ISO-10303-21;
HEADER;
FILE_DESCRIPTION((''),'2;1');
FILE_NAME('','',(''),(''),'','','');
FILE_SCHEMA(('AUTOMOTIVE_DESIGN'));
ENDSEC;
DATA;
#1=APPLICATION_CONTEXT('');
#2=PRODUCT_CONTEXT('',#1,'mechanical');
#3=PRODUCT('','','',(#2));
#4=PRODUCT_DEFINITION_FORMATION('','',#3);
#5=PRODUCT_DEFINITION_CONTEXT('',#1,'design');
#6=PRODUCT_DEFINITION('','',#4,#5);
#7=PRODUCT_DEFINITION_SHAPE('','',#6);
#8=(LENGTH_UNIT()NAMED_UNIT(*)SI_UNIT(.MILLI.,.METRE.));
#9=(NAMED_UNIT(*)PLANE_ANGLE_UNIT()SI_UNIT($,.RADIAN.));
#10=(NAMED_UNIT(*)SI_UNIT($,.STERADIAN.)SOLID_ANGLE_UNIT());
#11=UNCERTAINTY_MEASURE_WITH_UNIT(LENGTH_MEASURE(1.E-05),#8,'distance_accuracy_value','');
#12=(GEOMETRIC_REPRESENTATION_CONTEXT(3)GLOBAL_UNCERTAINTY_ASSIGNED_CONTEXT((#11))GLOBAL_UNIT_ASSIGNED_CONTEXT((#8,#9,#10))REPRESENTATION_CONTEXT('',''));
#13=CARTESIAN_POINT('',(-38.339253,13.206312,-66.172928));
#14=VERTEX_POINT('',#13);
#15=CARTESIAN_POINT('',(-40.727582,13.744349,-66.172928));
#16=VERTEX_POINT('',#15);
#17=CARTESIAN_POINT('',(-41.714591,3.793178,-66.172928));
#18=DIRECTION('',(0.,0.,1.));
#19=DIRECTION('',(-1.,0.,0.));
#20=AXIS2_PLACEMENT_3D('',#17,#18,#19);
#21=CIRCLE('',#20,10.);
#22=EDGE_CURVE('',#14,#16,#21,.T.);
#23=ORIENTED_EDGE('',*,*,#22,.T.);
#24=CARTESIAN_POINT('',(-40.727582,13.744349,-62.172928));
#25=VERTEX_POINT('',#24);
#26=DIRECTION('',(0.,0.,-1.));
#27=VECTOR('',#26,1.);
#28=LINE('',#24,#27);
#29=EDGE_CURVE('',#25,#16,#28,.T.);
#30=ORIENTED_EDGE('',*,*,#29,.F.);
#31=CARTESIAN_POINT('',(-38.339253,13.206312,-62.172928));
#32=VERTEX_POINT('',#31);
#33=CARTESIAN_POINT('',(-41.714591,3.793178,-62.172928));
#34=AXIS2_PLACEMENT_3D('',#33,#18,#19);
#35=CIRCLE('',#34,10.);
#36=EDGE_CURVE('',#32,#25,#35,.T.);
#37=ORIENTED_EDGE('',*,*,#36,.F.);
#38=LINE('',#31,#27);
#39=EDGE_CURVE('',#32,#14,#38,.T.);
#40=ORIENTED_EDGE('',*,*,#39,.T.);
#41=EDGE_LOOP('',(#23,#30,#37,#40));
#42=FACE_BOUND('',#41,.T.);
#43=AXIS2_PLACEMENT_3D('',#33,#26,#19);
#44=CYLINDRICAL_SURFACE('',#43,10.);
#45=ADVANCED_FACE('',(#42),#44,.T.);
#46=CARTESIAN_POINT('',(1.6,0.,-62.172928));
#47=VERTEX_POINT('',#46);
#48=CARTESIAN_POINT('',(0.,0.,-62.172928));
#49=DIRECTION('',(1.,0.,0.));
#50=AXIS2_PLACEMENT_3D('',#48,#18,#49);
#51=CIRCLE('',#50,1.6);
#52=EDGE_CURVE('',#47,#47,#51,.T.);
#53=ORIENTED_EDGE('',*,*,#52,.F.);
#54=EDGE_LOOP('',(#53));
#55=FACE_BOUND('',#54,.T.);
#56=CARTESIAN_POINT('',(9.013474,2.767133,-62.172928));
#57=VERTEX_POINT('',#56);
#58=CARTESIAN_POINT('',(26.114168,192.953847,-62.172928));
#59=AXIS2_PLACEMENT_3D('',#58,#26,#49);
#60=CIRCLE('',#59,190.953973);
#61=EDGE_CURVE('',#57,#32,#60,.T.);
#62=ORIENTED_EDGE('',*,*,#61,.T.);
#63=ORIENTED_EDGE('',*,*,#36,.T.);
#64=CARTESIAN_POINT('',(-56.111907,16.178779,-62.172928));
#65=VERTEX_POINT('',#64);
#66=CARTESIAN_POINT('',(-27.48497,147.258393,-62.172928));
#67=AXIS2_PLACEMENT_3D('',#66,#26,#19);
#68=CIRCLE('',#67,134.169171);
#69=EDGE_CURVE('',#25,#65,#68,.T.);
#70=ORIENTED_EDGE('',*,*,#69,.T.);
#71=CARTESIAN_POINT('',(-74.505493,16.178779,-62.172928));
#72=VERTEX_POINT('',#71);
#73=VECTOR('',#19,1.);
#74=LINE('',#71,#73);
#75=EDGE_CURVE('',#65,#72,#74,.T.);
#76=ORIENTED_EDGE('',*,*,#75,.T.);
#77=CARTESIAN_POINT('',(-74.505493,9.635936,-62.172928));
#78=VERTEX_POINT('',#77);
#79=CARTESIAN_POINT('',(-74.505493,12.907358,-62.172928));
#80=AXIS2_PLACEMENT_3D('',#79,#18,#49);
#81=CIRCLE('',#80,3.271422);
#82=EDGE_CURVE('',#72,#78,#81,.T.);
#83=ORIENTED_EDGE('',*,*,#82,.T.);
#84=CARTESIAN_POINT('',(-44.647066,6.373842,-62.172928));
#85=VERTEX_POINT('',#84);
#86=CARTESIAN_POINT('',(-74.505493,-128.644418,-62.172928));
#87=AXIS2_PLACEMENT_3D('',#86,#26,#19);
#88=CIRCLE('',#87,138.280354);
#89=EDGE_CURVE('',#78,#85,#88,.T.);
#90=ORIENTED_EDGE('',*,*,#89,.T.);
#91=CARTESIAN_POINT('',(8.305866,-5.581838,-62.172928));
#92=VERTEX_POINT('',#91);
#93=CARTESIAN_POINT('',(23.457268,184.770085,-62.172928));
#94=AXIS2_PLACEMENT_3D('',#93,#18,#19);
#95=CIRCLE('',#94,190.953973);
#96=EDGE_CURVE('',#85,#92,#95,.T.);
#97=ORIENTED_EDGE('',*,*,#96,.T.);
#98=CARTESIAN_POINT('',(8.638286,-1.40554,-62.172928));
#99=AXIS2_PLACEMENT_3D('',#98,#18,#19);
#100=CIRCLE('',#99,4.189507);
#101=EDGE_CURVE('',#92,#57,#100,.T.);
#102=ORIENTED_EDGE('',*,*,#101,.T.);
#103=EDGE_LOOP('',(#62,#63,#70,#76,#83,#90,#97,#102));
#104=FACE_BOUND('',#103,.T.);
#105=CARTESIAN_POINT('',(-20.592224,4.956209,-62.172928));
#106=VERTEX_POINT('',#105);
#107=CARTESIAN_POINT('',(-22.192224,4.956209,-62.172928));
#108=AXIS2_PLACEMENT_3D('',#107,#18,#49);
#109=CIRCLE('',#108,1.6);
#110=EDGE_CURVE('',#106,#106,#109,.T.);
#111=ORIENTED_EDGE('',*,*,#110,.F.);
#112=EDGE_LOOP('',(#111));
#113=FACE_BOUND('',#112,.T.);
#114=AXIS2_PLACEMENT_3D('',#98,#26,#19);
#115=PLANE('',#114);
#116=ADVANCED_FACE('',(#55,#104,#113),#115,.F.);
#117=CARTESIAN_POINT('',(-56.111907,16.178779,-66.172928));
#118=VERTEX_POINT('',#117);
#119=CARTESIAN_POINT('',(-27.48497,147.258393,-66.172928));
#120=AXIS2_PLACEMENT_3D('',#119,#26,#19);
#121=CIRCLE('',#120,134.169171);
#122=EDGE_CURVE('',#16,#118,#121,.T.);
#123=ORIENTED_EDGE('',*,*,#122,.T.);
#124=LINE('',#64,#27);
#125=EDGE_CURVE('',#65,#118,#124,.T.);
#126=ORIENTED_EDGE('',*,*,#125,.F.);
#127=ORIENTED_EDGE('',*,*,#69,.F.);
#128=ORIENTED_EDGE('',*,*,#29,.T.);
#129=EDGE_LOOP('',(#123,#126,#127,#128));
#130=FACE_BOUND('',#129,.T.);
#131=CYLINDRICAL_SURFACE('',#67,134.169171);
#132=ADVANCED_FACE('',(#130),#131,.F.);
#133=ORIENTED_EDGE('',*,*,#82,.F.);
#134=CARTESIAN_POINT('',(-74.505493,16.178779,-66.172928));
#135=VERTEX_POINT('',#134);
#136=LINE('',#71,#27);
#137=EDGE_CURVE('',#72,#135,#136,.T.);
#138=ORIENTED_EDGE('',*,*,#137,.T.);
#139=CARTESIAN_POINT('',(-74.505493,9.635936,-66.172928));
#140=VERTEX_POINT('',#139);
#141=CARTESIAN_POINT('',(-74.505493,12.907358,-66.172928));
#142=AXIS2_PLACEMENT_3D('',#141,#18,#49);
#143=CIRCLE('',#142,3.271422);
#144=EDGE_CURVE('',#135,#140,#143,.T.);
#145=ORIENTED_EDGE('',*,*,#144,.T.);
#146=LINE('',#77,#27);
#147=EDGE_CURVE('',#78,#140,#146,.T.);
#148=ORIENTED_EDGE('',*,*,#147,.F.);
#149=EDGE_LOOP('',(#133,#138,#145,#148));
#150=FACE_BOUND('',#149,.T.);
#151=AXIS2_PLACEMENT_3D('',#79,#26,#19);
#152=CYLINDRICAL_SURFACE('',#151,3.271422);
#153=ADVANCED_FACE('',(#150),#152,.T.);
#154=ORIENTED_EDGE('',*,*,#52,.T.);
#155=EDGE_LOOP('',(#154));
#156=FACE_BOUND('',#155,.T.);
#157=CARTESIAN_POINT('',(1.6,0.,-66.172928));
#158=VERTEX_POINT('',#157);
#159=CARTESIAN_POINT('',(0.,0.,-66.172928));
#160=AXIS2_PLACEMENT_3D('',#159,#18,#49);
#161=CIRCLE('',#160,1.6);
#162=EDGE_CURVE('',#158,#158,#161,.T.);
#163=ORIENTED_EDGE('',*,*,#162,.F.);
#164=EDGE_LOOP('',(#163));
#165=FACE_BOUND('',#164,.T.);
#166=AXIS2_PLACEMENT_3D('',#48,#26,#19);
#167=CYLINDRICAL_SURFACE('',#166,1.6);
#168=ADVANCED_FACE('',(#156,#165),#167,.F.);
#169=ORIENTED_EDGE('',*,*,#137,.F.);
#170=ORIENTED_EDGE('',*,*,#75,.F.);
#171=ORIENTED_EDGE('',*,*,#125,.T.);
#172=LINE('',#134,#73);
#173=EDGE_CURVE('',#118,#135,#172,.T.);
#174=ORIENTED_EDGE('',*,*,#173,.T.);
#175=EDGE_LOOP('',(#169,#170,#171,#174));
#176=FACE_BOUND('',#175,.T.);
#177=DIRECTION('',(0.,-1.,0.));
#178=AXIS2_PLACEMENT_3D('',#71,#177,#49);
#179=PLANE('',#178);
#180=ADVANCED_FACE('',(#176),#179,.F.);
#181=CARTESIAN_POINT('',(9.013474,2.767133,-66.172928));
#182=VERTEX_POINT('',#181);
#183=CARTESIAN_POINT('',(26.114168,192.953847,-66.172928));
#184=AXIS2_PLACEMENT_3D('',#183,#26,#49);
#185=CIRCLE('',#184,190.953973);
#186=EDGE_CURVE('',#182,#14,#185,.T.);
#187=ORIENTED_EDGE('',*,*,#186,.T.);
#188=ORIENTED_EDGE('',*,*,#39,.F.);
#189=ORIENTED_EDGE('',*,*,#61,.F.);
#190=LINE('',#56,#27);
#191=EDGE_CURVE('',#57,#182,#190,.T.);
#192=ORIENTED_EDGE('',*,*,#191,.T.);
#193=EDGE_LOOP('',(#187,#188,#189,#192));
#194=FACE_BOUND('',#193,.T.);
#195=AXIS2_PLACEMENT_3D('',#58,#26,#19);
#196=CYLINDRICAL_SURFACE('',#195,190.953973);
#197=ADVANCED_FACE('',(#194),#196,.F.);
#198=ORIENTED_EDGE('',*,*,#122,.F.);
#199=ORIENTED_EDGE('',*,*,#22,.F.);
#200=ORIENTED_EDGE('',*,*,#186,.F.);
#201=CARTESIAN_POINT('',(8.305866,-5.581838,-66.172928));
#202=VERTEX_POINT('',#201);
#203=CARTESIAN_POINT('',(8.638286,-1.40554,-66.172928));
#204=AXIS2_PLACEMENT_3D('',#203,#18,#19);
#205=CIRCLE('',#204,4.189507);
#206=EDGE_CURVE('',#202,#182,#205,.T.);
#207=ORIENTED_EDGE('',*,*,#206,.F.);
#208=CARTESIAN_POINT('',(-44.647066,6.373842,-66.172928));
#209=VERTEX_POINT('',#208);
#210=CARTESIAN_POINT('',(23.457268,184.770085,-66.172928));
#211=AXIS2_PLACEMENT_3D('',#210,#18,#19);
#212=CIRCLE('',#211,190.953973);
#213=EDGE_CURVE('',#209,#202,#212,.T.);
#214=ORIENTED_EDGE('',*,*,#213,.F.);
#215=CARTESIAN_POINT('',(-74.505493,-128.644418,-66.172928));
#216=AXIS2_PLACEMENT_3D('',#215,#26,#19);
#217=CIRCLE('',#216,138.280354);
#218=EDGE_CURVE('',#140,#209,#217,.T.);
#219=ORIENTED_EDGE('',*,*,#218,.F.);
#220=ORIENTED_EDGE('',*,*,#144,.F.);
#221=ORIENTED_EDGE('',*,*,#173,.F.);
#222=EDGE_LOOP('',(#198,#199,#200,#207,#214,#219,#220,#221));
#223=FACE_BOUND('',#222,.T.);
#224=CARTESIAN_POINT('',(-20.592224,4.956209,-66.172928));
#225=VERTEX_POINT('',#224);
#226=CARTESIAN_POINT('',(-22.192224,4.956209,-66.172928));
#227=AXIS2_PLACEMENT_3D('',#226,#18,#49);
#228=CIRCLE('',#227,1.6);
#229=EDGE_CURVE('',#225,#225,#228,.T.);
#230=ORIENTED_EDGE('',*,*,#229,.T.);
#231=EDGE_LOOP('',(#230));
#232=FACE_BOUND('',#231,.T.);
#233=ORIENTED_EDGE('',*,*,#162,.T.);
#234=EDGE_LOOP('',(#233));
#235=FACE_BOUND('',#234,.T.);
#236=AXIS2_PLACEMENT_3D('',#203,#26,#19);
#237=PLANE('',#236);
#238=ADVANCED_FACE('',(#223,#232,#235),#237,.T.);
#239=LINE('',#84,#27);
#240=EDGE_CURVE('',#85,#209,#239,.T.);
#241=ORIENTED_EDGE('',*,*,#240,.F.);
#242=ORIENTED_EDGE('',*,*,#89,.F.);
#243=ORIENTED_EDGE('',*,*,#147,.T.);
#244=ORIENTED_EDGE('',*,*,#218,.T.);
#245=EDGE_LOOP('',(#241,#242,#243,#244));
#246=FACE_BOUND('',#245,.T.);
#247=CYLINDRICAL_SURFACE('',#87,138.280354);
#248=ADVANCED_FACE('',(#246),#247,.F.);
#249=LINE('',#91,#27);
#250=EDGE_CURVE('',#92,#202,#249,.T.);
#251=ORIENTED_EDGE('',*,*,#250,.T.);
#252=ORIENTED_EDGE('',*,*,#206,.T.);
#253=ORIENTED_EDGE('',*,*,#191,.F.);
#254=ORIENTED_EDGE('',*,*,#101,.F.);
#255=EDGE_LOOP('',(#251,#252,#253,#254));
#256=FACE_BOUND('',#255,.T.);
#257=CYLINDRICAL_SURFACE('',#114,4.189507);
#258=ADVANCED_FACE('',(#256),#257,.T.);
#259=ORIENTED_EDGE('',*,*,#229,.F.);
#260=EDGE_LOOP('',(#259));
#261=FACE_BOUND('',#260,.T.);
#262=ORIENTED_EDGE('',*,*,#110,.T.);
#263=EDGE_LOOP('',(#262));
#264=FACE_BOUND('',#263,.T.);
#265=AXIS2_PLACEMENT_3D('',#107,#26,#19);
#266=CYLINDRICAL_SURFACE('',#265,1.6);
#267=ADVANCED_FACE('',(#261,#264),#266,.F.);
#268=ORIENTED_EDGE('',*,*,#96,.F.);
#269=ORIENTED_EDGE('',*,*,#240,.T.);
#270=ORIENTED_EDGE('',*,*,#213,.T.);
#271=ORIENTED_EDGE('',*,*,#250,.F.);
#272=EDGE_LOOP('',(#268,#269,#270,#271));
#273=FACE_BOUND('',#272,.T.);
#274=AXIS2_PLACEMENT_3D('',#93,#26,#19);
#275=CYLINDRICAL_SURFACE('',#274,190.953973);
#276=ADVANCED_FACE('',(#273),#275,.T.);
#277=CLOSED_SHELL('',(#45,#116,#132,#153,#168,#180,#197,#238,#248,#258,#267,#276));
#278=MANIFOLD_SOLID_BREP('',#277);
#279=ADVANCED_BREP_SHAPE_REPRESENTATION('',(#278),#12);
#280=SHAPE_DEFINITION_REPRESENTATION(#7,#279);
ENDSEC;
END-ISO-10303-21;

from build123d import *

# Parameters (mm, degrees)
SKETCH3_R           = 1.6
BOSS_EXTRUDE1_DEPTH = 4


with BuildPart() as part:
    # Sketch3 → Boss-Extrude1 (new body)
    with BuildSketch(Plane(origin=(20.494506969, 51.628779219, -66.172927913), x_dir=(1, 0, 0), z_dir=(0, 0, 1))):
        with BuildLine():
            Line((-95, -35.45), (-76.606413565, -35.45))
            ThreePointArc((-76.606413565, -35.45), (-68.94960795, -36.890649791), (-61.222089264, -37.884429946))
            ThreePointArc((-61.222089264, -37.884429946), (-60.011397218, -38.080084438), (-58.833759818, -38.42246736))
            ThreePointArc((-58.833759818, -38.42246736), (-35.490101097, -45.151223745), (-11.481033396, -48.861645973))
            ThreePointArc((-11.481033396, -48.861645973), (-7.68167997, -53.388127631), (-12.188640475, -57.210617614))
            ThreePointArc((-12.188640475, -57.210617614), (-39.092131211, -53.124111692), (-65.141573254, -45.254936785))
            ThreePointArc((-65.141573254, -45.254936785), (-79.981953338, -42.810785721), (-95, -41.992843223))
            ThreePointArc((-95, -41.992843223), (-98.271421612, -38.721421612), (-95, -35.45))
        make_face()
        with Locations((-42.686731091, -46.672569756)):
            Circle(SKETCH3_R, mode=Mode.SUBTRACT)
        with Locations((-20.494506969, -51.628779219)):
            Circle(SKETCH3_R, mode=Mode.SUBTRACT)
    extrude(amount=BOSS_EXTRUDE1_DEPTH)


solid = part.part
